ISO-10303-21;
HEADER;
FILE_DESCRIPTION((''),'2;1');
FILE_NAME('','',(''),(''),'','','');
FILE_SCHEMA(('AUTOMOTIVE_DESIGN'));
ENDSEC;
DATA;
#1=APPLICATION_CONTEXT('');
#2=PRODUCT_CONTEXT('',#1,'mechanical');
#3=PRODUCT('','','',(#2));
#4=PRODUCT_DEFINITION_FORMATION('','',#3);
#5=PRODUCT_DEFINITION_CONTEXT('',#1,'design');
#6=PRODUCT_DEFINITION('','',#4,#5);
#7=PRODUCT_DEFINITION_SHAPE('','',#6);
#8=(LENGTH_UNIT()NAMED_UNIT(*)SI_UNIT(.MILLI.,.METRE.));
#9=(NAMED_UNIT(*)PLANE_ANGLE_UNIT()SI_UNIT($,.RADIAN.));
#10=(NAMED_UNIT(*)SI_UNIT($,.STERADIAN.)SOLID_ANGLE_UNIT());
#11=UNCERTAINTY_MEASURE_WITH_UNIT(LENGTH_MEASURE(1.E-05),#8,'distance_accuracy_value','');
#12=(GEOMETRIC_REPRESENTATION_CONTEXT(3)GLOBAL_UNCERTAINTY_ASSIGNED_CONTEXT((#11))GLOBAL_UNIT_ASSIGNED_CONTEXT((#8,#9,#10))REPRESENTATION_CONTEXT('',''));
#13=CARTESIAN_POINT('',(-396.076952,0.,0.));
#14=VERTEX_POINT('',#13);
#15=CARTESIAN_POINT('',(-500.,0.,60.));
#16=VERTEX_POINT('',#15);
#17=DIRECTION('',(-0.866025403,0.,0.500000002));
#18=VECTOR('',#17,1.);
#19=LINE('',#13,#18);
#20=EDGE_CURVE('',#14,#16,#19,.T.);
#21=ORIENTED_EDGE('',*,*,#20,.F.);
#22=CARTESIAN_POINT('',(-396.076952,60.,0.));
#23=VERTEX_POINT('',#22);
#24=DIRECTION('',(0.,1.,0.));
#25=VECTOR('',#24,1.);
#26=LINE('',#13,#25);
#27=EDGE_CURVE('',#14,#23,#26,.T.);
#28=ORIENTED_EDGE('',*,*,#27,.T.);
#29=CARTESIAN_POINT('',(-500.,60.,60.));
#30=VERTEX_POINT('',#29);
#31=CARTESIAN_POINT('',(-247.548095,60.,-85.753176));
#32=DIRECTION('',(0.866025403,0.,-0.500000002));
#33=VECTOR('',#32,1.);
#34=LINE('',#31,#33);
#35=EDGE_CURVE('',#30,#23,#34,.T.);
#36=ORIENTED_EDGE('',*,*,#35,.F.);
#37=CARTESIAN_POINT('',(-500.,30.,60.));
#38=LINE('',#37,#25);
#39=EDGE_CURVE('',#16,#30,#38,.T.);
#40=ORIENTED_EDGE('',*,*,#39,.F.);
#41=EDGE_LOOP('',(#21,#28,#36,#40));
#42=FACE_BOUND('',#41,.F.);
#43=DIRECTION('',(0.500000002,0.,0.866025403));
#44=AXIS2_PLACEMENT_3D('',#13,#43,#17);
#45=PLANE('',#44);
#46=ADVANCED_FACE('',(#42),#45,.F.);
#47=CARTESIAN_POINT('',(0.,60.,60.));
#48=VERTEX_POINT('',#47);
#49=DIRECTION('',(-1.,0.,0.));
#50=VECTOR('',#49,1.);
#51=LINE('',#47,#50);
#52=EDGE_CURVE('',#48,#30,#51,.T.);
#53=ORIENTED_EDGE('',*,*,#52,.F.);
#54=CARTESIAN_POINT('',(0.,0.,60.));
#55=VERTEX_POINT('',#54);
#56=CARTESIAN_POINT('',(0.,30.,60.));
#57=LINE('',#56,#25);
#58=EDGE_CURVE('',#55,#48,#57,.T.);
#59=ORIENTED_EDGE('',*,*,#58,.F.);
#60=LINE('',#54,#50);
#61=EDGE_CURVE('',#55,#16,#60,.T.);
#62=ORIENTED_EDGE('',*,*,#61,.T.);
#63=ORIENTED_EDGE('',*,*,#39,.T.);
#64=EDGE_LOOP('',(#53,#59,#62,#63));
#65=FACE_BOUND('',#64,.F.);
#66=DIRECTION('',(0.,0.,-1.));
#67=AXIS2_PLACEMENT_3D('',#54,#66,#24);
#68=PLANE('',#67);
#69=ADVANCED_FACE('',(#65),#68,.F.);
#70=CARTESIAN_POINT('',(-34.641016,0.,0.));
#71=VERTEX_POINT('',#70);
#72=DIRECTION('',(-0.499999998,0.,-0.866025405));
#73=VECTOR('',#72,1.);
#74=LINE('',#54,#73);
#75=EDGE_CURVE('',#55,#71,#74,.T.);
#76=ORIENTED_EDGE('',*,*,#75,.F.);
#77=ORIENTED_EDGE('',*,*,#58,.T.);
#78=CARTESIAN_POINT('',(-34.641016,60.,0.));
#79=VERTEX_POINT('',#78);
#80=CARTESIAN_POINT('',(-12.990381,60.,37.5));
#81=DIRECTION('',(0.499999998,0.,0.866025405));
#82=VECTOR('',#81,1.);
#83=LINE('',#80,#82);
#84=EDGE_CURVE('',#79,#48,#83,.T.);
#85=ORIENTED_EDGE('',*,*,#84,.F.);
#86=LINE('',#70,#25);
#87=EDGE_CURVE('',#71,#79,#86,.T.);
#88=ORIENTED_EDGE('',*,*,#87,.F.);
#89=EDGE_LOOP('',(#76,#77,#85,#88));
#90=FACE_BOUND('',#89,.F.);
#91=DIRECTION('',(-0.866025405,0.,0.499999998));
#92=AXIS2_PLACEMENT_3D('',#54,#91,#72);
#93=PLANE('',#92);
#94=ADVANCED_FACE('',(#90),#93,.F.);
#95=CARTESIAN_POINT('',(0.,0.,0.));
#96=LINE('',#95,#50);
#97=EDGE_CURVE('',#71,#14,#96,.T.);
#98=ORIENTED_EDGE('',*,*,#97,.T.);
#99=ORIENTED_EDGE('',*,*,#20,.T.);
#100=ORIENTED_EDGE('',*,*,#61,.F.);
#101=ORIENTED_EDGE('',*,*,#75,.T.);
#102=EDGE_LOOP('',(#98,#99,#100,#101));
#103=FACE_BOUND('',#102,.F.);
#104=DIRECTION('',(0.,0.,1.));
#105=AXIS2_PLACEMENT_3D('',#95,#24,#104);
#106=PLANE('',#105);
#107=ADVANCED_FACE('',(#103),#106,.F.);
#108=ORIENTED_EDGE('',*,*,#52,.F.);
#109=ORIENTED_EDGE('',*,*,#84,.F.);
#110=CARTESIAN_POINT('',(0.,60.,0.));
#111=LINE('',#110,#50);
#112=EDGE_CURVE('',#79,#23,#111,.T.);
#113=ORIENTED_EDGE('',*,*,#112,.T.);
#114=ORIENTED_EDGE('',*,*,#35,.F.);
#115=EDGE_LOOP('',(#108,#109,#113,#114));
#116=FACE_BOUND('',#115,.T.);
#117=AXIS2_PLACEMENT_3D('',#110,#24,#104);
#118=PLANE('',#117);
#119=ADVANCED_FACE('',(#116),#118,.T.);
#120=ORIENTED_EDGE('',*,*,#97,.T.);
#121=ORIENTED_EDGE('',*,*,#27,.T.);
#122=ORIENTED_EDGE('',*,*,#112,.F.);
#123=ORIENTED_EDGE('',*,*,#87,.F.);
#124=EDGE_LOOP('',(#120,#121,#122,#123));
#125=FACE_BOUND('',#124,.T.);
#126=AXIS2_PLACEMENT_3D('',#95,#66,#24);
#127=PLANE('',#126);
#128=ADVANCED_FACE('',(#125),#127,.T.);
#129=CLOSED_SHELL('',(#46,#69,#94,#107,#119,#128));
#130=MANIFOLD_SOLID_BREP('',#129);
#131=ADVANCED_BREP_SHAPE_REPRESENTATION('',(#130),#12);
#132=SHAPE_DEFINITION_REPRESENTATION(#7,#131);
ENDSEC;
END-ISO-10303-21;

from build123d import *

# Parameters (mm, degrees)
F0_W     = 60
F0_H     = 60
F1_DEPTH = 500
F3_DEPTH = 60.001


with BuildPart() as f1:
    # F0 (on Right) → F1 (new body)
    with BuildSketch(Plane.YZ):
        with Locations((30, 30)):
            Rectangle(F0_W, F0_H)
    extrude(amount=-F1_DEPTH)

    # F2 (on face) → F3 (cut, through all)
    with BuildSketch(Plane.XZ):
        Polygon((-396.076952, 0), (-500, 60), (-500, 0), align=None)
        Polygon((0, 0), (0, 60), (-34.641016, 0), align=None)
    extrude(amount=-F3_DEPTH, mode=Mode.SUBTRACT)


solid = f1.part
